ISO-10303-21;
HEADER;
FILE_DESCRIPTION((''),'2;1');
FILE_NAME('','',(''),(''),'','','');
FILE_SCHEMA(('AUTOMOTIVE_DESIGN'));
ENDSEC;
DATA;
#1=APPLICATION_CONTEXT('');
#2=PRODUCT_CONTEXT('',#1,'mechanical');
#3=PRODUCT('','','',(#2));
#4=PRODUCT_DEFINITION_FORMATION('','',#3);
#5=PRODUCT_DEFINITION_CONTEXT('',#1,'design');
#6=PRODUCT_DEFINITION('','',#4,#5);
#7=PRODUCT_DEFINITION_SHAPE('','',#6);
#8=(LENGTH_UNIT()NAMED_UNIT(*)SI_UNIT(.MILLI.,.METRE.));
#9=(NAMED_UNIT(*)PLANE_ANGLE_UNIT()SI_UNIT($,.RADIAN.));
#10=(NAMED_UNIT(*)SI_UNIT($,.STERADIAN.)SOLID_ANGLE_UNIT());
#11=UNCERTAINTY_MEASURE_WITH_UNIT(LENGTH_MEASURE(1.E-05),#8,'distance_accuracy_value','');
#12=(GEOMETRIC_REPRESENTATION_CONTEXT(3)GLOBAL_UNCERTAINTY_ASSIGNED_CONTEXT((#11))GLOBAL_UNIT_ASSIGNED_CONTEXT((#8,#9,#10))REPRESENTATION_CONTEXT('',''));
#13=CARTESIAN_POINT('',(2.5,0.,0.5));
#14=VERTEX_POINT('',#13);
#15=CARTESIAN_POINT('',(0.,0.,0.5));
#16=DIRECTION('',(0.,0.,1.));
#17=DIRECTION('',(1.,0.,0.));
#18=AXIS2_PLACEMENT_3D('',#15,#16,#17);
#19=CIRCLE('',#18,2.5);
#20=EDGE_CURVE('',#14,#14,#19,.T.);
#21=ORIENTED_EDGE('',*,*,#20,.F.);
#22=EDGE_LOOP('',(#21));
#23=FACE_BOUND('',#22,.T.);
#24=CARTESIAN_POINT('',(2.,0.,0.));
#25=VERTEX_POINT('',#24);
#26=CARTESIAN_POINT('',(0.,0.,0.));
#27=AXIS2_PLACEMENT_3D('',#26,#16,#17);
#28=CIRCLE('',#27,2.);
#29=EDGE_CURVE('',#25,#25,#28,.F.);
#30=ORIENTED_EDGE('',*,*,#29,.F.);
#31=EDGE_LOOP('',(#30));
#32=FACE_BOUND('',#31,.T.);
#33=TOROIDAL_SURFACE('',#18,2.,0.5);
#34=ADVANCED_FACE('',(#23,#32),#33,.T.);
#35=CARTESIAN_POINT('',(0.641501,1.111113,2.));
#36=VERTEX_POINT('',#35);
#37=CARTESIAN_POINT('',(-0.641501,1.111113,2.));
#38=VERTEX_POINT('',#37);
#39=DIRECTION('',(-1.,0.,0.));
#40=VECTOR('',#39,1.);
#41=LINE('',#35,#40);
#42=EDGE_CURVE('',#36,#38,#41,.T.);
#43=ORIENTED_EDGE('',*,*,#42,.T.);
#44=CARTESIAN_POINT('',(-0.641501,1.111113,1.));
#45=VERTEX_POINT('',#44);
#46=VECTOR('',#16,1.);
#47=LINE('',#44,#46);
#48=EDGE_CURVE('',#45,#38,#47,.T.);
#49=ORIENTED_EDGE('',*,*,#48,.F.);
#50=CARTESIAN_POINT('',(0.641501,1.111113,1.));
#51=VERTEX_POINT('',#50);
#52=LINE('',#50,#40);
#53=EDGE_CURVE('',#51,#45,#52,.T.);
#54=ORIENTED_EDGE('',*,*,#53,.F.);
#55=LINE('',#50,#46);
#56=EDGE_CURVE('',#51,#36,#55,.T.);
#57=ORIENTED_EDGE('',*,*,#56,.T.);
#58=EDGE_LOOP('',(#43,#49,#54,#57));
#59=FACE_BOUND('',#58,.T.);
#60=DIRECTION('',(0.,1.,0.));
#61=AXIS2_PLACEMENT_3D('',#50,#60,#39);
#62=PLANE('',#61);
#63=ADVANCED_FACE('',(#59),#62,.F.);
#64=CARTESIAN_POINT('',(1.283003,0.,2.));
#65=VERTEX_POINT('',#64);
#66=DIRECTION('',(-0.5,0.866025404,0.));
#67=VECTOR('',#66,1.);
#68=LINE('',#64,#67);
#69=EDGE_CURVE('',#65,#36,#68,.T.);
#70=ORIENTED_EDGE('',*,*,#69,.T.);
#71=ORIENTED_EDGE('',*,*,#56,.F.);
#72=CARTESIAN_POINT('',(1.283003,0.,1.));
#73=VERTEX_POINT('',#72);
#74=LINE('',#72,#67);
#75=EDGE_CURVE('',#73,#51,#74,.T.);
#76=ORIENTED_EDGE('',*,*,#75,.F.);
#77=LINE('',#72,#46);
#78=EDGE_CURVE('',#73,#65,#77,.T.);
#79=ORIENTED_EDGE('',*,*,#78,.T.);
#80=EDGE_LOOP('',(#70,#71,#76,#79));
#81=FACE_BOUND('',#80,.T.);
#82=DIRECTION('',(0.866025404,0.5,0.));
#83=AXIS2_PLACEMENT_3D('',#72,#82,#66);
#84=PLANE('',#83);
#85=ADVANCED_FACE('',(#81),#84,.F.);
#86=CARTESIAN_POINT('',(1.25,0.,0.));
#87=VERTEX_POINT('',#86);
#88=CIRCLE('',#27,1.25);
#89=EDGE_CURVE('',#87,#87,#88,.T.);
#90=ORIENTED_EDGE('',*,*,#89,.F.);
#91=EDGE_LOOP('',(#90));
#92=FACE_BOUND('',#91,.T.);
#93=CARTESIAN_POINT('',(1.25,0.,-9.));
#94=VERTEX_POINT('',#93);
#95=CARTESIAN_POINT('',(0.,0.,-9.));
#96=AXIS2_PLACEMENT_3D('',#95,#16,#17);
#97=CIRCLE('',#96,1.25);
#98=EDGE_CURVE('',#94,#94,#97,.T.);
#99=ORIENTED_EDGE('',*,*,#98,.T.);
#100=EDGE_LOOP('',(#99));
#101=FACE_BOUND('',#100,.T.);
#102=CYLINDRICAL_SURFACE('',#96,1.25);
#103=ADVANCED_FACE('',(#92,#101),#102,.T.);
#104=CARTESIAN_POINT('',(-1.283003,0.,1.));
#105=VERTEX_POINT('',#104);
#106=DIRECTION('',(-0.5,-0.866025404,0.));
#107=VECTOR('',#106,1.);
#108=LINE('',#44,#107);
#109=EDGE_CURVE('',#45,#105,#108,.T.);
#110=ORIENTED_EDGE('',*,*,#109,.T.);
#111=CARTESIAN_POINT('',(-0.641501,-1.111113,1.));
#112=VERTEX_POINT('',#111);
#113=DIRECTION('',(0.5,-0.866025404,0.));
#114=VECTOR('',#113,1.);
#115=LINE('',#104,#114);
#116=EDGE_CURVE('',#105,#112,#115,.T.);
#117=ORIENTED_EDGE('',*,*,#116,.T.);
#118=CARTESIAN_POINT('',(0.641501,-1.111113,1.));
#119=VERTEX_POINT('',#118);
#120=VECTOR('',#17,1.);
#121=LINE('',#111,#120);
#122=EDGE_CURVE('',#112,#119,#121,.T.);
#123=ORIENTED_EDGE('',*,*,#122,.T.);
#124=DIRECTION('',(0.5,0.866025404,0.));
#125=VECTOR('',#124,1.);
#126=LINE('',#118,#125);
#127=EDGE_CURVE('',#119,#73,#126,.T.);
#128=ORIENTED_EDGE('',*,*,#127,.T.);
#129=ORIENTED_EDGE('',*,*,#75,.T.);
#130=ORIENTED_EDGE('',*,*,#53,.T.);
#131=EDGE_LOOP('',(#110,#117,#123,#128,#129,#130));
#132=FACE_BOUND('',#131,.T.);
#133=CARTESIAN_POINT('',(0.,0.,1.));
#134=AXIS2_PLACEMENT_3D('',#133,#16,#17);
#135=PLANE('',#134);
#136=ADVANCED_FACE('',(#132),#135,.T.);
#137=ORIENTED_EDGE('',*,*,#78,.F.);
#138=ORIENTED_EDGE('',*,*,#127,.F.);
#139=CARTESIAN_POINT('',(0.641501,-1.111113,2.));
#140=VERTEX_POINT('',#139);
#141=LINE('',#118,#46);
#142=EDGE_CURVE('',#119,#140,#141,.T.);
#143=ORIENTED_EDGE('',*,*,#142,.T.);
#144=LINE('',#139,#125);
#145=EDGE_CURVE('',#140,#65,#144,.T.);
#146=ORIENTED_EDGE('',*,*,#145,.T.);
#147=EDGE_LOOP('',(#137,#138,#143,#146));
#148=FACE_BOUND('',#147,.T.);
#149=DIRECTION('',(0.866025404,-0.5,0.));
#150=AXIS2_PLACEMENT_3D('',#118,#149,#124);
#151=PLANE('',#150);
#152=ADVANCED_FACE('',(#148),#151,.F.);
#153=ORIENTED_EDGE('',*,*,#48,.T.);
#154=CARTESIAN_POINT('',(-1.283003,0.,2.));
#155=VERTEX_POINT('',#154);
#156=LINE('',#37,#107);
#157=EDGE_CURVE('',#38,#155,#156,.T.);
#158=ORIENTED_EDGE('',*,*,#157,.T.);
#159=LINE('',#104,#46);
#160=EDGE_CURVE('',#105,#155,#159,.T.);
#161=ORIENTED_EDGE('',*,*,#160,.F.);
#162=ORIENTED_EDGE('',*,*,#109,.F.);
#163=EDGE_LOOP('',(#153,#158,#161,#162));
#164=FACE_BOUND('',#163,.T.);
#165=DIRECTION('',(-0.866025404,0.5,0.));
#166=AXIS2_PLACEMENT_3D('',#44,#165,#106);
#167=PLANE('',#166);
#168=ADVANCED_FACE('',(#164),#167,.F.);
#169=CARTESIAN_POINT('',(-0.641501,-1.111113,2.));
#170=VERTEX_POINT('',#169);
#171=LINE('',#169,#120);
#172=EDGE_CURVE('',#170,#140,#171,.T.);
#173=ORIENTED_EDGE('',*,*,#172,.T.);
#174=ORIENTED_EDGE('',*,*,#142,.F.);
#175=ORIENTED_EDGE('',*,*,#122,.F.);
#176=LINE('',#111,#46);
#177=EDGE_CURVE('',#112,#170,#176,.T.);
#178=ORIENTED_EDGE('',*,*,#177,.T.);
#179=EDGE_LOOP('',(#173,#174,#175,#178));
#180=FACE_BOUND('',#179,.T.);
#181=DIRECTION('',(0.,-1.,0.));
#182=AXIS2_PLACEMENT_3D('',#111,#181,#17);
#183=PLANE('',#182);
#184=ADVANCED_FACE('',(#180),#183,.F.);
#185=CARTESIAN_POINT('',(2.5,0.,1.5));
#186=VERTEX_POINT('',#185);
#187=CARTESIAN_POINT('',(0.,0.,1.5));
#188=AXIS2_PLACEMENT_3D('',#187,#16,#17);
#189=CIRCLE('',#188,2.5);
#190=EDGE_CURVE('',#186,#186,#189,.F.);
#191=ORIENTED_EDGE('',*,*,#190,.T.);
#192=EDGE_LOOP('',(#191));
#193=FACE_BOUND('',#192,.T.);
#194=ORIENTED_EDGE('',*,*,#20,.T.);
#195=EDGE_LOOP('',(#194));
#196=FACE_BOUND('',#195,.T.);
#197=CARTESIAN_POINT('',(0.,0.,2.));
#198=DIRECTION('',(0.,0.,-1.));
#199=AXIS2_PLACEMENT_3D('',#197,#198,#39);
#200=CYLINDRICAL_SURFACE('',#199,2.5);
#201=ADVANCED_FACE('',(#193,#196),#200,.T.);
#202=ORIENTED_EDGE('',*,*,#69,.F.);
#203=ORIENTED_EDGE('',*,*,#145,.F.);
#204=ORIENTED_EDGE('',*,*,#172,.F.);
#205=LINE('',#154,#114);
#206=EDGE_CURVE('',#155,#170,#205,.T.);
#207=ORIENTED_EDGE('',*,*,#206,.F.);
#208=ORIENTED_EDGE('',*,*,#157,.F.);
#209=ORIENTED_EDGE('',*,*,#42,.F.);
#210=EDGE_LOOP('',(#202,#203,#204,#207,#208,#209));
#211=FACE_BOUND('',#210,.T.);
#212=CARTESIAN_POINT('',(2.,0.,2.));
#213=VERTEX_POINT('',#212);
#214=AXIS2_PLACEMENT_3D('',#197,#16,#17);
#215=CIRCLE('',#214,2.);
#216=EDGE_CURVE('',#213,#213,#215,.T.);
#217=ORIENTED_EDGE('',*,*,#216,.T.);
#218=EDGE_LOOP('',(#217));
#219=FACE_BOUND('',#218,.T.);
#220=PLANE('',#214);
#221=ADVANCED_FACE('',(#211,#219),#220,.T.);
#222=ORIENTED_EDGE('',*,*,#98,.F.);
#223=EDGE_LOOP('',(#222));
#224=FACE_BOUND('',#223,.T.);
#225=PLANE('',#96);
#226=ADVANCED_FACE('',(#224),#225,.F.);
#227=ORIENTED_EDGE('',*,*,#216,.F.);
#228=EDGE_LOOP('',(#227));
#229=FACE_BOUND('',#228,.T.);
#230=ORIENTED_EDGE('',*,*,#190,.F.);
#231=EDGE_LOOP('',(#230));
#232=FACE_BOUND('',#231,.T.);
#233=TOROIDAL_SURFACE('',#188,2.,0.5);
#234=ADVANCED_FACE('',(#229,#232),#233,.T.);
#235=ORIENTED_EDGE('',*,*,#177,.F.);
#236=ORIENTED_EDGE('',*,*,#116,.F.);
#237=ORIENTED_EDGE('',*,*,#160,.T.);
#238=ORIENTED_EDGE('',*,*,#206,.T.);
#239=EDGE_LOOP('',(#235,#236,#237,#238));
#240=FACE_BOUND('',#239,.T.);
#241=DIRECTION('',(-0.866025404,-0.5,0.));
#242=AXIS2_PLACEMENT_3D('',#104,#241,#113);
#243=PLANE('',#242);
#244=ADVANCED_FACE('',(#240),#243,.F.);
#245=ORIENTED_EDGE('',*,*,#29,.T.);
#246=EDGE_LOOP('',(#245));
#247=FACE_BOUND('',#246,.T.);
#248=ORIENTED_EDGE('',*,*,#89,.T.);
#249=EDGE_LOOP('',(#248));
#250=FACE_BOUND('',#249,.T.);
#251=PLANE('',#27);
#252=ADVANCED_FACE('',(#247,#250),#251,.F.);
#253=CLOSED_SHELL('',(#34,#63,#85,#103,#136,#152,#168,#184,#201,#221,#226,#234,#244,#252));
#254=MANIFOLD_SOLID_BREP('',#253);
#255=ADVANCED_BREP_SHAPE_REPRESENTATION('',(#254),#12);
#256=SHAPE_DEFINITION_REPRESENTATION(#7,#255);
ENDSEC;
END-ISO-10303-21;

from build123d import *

# Parameters (mm, degrees)
SKETCH1_R           = 1.25
BOSS_EXTRUDE1_DEPTH = 9
SKETCH2_R           = 2.5
BOSS_EXTRUDE2_DEPTH = 2
CUT_EXTRUDE1_DEPTH  = 1
FILLET1_R           = 0.5


with BuildPart() as part:
    # Sketch1 → Boss-Extrude1 (new body)
    with BuildSketch(Plane.XY):
        Circle(SKETCH1_R)
    extrude(amount=-BOSS_EXTRUDE1_DEPTH)

    # Sketch2 → Boss-Extrude2 (add)
    with BuildSketch(Plane.XY):
        Circle(SKETCH2_R)
    extrude(amount=BOSS_EXTRUDE2_DEPTH)

    # Sketch3 → Cut-Extrude1 (cut)
    with BuildSketch(Plane.XY.offset(2)):
        Polygon((1.283002505, 0), (0.641501252, 1.111112762), (-0.641501252, 1.111112762), (-1.283002505, 0), (-0.641501252, -1.111112762), (0.641501252, -1.111112762), align=None)
    extrude(amount=-CUT_EXTRUDE1_DEPTH, mode=Mode.SUBTRACT)

    # Fillet1
    fillet1_edges = [part.edges().sort_by_distance(p)[0] for p in [
        (-2.5, 0, 0),
        (-2.5, 0, 2),
    ]]
    fillet(fillet1_edges, radius=FILLET1_R)


solid = part.part
